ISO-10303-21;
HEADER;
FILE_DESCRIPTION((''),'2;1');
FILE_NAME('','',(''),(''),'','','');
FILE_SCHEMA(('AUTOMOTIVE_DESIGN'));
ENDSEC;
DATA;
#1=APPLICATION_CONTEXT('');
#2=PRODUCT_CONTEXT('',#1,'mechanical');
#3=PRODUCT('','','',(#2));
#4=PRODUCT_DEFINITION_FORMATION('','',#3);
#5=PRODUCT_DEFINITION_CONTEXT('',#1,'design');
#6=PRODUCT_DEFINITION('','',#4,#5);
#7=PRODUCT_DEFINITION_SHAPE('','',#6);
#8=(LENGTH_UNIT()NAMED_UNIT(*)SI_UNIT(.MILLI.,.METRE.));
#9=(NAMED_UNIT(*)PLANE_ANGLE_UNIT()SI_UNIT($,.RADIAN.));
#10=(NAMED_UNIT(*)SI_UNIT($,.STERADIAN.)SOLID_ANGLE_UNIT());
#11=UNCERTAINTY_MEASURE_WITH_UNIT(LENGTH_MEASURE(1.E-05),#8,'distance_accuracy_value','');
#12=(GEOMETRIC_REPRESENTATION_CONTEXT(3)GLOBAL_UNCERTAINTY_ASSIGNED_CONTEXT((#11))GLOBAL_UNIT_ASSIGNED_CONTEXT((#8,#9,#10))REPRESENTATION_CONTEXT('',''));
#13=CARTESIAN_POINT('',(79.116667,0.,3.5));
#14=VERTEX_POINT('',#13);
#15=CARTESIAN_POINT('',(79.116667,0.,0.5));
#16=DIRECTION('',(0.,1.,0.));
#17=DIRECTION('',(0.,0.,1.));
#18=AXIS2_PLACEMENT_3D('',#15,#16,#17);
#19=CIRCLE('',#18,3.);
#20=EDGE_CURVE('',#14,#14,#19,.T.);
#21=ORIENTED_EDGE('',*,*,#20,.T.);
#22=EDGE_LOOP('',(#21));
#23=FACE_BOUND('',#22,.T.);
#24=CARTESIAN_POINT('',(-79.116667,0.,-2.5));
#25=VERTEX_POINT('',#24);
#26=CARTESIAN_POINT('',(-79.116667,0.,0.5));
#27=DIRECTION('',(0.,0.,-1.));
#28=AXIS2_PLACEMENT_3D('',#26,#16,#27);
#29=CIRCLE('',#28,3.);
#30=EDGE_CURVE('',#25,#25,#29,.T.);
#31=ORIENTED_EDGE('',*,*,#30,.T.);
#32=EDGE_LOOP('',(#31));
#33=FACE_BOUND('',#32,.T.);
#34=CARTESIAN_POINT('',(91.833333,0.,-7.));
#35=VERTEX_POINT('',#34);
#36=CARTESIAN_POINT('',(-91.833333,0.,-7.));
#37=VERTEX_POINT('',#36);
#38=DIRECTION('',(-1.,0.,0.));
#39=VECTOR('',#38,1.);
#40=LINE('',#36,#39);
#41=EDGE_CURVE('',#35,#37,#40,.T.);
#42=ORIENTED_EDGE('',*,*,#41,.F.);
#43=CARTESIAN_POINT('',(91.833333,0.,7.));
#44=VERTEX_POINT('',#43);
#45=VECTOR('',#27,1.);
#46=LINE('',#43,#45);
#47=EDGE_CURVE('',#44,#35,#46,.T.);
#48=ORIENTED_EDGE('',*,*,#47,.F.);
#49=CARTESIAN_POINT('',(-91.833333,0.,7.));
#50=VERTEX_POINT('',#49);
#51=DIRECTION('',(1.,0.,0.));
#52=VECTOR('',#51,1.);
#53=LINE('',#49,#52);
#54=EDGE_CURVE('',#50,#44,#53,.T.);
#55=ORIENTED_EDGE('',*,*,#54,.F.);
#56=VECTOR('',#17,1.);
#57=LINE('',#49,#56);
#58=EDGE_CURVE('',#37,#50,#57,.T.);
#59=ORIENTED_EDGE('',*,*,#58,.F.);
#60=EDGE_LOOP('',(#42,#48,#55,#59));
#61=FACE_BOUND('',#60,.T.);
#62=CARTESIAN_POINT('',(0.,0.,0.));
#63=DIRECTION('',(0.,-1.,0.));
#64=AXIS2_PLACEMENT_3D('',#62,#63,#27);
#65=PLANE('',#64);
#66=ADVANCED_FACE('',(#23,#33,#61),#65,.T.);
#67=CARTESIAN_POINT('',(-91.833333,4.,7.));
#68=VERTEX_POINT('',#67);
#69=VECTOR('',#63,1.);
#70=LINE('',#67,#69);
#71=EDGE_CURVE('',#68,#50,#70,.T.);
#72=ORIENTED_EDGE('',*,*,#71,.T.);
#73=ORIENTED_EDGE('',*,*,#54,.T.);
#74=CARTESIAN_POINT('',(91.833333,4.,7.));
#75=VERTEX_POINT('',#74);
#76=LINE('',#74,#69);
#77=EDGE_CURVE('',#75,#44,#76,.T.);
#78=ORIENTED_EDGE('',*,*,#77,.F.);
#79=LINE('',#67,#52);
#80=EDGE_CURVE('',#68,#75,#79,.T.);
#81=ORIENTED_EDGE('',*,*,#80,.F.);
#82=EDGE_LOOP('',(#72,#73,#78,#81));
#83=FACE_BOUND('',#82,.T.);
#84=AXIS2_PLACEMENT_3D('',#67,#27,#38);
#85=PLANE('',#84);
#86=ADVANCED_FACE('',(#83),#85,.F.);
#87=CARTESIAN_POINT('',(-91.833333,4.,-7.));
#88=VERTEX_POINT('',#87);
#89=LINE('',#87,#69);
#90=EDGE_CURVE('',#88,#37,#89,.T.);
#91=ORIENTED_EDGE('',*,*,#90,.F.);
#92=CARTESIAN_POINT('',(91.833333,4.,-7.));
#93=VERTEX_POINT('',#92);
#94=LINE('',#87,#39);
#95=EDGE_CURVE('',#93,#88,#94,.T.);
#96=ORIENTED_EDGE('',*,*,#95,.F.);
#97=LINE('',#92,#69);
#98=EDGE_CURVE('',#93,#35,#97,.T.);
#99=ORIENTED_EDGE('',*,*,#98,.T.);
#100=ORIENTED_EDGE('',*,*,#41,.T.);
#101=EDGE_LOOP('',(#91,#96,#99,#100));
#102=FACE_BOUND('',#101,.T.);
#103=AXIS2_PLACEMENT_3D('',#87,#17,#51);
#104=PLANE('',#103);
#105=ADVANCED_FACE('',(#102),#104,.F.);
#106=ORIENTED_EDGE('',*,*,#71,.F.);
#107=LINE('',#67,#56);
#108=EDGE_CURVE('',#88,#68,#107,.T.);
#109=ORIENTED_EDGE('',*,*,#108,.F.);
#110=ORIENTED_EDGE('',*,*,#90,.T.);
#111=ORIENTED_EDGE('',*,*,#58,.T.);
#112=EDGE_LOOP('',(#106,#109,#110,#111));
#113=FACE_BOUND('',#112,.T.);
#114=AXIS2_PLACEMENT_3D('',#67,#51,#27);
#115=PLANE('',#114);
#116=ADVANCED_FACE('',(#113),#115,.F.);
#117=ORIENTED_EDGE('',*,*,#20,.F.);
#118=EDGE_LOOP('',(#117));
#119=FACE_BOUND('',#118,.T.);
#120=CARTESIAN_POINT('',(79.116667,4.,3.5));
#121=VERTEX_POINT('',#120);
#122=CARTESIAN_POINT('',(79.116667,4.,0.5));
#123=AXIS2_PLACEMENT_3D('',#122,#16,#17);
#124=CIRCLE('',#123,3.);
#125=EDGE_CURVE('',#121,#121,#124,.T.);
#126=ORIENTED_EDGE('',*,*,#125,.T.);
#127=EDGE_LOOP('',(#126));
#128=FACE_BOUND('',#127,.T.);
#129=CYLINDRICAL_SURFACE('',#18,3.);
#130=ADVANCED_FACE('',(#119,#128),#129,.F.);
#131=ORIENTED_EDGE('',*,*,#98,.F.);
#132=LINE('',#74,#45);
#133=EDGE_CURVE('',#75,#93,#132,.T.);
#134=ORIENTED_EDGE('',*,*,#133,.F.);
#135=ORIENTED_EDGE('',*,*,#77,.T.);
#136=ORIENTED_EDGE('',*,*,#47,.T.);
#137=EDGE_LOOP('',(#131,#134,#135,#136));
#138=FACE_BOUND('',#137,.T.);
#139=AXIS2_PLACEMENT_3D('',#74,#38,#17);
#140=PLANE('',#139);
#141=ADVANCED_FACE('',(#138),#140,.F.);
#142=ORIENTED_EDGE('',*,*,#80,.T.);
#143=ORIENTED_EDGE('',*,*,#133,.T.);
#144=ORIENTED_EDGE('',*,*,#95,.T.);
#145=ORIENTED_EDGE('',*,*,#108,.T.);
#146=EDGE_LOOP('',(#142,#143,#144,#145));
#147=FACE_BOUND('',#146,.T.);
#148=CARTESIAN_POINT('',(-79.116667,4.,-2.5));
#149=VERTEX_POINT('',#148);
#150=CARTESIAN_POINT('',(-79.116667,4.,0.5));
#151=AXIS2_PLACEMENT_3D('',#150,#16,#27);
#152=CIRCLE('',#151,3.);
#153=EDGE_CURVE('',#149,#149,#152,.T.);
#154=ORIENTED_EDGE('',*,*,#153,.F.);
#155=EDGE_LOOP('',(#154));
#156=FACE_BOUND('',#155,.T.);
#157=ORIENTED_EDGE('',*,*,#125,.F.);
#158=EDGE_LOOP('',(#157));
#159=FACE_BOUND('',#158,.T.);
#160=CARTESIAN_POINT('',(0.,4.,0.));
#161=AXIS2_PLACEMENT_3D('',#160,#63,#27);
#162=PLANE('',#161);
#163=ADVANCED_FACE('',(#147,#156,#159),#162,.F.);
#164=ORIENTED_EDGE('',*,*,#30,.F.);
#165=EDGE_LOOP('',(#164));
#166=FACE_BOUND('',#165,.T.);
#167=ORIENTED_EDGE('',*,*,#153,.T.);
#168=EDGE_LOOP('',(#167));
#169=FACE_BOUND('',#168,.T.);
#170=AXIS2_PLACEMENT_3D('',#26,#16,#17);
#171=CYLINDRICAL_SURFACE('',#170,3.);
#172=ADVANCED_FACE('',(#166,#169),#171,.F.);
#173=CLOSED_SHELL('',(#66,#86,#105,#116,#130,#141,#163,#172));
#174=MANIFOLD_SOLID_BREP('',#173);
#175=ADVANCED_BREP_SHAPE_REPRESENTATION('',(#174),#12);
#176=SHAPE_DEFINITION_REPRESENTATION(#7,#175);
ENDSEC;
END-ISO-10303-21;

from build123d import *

# Parameters (mm, degrees)
SKETCH1_W           = 183.666666702
SKETCH1_H           = 14
BOSS_EXTRUDE1_DEPTH = 4
SKETCH2_R           = 3
CUT_EXTRUDE1_DEPTH  = 93.186556039


with BuildPart() as part:
    # Sketch1 → Boss-Extrude1 (new body)
    with BuildSketch(Plane(origin=(0, 0, 0), x_dir=(1, 0, 0), z_dir=(0, 1, 0))):
        Rectangle(SKETCH1_W, SKETCH1_H)
    extrude(amount=BOSS_EXTRUDE1_DEPTH)

    # Sketch2 → Cut-Extrude1 (cut, through all)
    with BuildSketch(Plane(origin=(0, 4, 0), x_dir=(1, 0, 0), z_dir=(0, 1, 0))):
        with Locations(Location((79.116666649, -0.5, 0), (0, 0, 270))):
            Circle(SKETCH2_R)
        with Locations(Location((-79.116666649, -0.5, 0), (0, 0, 90))):
            Circle(SKETCH2_R)
    extrude(amount=-CUT_EXTRUDE1_DEPTH, mode=Mode.SUBTRACT)


solid = part.part
